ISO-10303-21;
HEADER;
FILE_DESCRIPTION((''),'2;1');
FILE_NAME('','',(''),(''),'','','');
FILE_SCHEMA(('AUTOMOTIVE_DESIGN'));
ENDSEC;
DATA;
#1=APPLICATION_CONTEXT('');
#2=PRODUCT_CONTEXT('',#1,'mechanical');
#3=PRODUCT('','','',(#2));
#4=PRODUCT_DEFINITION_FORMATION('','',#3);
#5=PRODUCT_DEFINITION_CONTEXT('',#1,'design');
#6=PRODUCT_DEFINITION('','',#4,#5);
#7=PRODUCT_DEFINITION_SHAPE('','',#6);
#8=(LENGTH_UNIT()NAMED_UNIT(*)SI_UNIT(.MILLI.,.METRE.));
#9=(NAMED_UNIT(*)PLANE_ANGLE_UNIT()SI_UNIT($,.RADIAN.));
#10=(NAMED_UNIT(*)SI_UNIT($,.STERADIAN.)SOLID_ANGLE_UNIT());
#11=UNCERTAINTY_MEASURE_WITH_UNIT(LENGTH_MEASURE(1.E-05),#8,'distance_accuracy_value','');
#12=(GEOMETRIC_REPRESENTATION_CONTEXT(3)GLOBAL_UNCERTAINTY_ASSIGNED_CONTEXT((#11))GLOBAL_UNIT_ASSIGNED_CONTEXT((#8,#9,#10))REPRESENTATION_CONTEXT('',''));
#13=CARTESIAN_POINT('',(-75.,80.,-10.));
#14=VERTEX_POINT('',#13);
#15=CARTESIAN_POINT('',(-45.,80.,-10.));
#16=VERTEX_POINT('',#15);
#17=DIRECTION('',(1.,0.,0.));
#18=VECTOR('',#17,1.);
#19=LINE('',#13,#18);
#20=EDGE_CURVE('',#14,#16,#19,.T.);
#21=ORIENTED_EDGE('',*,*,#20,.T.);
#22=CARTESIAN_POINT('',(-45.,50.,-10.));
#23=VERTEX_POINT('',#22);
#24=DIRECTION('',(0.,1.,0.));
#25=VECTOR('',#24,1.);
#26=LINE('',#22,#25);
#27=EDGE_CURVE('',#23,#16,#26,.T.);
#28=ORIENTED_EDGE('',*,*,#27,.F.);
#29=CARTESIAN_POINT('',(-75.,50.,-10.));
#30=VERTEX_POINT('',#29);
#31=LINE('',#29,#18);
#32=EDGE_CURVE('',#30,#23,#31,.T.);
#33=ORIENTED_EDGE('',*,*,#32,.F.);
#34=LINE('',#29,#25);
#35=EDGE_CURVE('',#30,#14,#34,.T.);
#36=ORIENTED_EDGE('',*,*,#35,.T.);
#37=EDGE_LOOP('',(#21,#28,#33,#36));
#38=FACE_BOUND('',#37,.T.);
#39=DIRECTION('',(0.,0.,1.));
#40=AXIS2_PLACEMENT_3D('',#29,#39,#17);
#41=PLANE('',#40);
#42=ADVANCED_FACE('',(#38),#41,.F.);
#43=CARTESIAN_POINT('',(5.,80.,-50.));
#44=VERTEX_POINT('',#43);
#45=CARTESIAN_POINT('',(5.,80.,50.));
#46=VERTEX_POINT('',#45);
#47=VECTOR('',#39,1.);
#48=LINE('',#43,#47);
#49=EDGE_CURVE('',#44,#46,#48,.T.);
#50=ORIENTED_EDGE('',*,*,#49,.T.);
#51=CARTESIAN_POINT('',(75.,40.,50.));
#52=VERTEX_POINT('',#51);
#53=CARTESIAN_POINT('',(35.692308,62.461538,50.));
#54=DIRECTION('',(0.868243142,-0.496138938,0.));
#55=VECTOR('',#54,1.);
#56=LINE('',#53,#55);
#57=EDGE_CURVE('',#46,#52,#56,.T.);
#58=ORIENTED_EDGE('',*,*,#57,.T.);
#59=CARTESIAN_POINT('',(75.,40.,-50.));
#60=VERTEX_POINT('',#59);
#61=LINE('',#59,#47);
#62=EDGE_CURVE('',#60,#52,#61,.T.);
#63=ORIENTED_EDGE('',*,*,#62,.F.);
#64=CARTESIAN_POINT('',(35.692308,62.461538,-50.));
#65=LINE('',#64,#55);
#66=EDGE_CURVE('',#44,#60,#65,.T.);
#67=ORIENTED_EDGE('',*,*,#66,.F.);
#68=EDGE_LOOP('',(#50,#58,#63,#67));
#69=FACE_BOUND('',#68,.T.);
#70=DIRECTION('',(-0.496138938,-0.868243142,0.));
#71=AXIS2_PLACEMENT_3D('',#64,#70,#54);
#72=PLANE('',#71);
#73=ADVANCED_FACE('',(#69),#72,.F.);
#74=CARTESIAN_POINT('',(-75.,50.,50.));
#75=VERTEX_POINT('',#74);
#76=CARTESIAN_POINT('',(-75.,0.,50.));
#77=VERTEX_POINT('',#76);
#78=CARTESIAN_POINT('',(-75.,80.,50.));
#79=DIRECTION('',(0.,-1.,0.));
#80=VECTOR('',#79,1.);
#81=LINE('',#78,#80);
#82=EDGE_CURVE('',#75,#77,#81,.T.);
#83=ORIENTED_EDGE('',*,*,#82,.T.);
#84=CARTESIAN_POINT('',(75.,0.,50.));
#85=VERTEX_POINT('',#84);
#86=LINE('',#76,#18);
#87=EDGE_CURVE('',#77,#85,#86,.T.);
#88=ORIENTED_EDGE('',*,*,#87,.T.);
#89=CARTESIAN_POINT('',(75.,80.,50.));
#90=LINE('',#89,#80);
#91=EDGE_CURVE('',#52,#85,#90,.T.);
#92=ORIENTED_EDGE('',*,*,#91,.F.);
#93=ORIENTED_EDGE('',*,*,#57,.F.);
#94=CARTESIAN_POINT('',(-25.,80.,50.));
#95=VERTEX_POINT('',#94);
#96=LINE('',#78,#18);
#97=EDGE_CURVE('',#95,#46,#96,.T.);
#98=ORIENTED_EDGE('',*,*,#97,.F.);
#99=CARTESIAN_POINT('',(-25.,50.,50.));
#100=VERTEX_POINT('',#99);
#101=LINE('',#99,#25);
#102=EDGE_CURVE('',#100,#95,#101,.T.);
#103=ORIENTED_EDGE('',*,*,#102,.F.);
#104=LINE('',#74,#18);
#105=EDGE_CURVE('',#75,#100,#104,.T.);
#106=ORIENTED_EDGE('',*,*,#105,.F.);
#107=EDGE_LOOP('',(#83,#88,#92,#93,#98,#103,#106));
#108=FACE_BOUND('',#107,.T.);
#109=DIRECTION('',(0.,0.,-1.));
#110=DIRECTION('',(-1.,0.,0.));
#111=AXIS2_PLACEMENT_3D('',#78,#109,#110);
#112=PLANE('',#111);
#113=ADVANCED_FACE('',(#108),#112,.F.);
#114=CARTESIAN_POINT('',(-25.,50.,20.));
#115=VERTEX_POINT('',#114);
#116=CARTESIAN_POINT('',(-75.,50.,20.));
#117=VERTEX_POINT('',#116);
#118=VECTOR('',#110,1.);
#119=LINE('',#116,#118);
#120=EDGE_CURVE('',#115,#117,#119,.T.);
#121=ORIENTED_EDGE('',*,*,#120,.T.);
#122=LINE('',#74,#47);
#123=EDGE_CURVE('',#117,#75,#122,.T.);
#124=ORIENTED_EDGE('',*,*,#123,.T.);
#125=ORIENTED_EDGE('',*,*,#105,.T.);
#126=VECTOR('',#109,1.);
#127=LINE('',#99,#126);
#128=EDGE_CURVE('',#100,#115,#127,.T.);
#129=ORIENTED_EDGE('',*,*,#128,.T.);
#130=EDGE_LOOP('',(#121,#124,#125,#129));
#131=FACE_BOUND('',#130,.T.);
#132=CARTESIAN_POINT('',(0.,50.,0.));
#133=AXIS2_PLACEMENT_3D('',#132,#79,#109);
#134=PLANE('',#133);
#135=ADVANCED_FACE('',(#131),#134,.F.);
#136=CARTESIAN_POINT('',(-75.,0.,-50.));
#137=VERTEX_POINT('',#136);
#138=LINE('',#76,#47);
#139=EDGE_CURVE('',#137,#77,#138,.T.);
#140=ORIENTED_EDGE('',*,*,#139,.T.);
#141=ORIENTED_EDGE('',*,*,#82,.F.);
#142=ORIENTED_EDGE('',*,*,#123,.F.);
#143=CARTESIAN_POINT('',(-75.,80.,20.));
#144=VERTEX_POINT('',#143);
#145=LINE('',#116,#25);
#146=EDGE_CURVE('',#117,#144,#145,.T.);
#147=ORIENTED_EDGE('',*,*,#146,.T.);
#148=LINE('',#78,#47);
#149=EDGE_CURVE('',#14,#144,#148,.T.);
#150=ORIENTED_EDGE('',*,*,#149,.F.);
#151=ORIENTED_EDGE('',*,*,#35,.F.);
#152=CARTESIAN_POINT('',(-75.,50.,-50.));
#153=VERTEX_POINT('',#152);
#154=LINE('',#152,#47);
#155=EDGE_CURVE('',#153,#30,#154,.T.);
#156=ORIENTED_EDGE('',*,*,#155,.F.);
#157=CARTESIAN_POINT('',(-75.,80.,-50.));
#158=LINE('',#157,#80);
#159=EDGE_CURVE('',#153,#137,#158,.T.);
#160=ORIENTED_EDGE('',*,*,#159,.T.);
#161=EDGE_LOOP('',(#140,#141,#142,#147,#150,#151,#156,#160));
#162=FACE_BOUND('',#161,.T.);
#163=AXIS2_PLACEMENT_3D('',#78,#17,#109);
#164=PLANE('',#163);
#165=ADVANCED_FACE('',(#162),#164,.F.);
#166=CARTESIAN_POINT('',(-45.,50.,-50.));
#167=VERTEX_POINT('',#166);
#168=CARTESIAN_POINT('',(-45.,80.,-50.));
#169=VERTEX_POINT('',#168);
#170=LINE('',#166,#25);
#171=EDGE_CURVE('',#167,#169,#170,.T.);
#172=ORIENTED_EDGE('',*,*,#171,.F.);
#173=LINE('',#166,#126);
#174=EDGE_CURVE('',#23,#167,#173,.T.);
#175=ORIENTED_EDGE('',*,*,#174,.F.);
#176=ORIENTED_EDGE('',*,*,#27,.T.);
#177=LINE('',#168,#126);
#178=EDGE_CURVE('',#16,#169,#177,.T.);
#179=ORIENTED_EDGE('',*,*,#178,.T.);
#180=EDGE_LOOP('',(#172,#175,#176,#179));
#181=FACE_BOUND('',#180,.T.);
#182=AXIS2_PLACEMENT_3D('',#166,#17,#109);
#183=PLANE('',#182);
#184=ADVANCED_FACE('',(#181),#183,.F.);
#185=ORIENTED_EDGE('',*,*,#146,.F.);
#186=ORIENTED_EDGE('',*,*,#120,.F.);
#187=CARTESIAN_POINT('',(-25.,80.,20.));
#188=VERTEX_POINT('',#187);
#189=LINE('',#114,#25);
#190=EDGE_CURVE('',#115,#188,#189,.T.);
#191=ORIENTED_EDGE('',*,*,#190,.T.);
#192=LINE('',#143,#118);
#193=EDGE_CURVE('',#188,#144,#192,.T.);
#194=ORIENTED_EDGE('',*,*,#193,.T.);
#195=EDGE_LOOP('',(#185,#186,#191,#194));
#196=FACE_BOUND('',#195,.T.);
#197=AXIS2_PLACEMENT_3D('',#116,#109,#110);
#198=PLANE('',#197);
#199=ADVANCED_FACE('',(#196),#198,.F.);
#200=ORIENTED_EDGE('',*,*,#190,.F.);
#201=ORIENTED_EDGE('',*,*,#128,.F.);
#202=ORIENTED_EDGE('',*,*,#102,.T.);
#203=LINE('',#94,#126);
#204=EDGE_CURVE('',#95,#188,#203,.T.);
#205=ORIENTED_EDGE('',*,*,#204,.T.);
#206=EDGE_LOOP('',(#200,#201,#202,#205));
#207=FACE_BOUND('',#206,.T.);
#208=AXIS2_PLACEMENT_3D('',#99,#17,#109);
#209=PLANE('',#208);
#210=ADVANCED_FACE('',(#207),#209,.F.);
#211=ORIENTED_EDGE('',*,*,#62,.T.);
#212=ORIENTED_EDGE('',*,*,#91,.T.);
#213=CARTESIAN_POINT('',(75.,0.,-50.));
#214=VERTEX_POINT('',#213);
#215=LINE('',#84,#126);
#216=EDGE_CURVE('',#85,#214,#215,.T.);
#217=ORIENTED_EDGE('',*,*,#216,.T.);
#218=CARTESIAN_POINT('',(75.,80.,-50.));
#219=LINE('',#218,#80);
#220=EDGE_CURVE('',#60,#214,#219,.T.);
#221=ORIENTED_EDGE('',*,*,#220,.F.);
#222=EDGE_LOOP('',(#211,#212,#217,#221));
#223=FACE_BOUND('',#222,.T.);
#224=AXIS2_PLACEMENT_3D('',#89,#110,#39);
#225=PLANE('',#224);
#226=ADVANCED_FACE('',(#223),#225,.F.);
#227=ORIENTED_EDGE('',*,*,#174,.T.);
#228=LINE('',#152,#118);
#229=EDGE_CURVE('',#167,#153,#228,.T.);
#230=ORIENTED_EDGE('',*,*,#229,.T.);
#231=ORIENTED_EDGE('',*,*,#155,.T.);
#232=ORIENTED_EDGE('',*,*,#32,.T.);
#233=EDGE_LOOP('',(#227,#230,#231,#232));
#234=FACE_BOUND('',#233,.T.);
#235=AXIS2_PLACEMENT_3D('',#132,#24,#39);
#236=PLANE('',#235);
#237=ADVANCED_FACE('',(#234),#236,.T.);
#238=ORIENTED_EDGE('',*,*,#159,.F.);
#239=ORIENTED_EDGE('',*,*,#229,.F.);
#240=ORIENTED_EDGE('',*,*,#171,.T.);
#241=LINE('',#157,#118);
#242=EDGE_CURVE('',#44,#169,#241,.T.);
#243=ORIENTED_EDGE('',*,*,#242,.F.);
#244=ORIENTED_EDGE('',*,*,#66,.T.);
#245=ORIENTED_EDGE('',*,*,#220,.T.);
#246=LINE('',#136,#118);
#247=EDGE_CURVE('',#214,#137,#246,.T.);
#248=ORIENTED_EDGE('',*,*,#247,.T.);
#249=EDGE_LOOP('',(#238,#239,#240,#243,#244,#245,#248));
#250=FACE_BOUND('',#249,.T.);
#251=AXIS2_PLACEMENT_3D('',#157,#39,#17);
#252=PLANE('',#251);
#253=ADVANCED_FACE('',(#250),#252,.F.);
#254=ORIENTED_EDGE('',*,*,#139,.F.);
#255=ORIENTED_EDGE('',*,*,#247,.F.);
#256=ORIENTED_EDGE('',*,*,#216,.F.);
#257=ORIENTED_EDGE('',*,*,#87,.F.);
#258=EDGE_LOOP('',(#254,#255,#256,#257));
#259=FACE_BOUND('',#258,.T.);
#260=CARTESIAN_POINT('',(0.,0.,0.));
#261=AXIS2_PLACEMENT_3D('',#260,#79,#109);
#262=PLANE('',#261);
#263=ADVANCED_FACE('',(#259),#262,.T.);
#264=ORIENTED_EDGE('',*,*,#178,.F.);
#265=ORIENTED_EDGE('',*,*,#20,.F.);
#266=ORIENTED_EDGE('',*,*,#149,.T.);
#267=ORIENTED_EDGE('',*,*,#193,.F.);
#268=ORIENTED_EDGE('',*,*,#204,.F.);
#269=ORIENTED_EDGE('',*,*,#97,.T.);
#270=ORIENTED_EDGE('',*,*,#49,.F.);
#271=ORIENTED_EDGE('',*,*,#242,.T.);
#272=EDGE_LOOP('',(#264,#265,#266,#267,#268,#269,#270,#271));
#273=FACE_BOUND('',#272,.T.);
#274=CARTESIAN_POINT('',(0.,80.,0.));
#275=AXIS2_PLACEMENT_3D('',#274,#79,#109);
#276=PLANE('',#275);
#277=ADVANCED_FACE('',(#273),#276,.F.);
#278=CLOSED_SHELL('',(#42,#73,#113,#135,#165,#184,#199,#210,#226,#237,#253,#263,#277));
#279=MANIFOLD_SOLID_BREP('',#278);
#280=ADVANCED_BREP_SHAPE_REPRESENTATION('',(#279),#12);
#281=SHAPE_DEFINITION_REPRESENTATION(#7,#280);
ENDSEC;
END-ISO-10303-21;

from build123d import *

# Parameters (mm, degrees)
SKETCH1_W           = 150
SKETCH1_H           = 100
BOSS_EXTRUDE1_DEPTH = 80
CUT_EXTRUDE1_DEPTH  = 101
SKETCH3_W           = 50
SKETCH3_H           = 30
SKETCH3_W_2         = 30
SKETCH3_H_2         = 40
CUT_EXTRUDE2_DEPTH  = 30


with BuildPart() as part:
    # Sketch1 → Boss-Extrude1 (new body)
    with BuildSketch(Plane(origin=(0, 0, 0), x_dir=(1, 0, 0), z_dir=(0, 1, 0))):
        Rectangle(SKETCH1_W, SKETCH1_H)
    extrude(amount=BOSS_EXTRUDE1_DEPTH)

    # Sketch2 → Cut-Extrude1 (cut, through all)
    with BuildSketch(Plane.XY.offset(50)):
        Polygon((75, 80), (5, 80), (75, 40), align=None)
    extrude(amount=-CUT_EXTRUDE1_DEPTH, mode=Mode.SUBTRACT)

    # Sketch3 → Cut-Extrude2 (cut)
    with BuildSketch(Plane(origin=(0, 80, 0), x_dir=(1, 0, 0), z_dir=(0, 1, 0))):
        with Locations((-50, -35)):
            Rectangle(SKETCH3_W, SKETCH3_H)
        with Locations((-60, 30)):
            Rectangle(SKETCH3_W_2, SKETCH3_H_2)
    extrude(amount=-CUT_EXTRUDE2_DEPTH, mode=Mode.SUBTRACT)


solid = part.part
